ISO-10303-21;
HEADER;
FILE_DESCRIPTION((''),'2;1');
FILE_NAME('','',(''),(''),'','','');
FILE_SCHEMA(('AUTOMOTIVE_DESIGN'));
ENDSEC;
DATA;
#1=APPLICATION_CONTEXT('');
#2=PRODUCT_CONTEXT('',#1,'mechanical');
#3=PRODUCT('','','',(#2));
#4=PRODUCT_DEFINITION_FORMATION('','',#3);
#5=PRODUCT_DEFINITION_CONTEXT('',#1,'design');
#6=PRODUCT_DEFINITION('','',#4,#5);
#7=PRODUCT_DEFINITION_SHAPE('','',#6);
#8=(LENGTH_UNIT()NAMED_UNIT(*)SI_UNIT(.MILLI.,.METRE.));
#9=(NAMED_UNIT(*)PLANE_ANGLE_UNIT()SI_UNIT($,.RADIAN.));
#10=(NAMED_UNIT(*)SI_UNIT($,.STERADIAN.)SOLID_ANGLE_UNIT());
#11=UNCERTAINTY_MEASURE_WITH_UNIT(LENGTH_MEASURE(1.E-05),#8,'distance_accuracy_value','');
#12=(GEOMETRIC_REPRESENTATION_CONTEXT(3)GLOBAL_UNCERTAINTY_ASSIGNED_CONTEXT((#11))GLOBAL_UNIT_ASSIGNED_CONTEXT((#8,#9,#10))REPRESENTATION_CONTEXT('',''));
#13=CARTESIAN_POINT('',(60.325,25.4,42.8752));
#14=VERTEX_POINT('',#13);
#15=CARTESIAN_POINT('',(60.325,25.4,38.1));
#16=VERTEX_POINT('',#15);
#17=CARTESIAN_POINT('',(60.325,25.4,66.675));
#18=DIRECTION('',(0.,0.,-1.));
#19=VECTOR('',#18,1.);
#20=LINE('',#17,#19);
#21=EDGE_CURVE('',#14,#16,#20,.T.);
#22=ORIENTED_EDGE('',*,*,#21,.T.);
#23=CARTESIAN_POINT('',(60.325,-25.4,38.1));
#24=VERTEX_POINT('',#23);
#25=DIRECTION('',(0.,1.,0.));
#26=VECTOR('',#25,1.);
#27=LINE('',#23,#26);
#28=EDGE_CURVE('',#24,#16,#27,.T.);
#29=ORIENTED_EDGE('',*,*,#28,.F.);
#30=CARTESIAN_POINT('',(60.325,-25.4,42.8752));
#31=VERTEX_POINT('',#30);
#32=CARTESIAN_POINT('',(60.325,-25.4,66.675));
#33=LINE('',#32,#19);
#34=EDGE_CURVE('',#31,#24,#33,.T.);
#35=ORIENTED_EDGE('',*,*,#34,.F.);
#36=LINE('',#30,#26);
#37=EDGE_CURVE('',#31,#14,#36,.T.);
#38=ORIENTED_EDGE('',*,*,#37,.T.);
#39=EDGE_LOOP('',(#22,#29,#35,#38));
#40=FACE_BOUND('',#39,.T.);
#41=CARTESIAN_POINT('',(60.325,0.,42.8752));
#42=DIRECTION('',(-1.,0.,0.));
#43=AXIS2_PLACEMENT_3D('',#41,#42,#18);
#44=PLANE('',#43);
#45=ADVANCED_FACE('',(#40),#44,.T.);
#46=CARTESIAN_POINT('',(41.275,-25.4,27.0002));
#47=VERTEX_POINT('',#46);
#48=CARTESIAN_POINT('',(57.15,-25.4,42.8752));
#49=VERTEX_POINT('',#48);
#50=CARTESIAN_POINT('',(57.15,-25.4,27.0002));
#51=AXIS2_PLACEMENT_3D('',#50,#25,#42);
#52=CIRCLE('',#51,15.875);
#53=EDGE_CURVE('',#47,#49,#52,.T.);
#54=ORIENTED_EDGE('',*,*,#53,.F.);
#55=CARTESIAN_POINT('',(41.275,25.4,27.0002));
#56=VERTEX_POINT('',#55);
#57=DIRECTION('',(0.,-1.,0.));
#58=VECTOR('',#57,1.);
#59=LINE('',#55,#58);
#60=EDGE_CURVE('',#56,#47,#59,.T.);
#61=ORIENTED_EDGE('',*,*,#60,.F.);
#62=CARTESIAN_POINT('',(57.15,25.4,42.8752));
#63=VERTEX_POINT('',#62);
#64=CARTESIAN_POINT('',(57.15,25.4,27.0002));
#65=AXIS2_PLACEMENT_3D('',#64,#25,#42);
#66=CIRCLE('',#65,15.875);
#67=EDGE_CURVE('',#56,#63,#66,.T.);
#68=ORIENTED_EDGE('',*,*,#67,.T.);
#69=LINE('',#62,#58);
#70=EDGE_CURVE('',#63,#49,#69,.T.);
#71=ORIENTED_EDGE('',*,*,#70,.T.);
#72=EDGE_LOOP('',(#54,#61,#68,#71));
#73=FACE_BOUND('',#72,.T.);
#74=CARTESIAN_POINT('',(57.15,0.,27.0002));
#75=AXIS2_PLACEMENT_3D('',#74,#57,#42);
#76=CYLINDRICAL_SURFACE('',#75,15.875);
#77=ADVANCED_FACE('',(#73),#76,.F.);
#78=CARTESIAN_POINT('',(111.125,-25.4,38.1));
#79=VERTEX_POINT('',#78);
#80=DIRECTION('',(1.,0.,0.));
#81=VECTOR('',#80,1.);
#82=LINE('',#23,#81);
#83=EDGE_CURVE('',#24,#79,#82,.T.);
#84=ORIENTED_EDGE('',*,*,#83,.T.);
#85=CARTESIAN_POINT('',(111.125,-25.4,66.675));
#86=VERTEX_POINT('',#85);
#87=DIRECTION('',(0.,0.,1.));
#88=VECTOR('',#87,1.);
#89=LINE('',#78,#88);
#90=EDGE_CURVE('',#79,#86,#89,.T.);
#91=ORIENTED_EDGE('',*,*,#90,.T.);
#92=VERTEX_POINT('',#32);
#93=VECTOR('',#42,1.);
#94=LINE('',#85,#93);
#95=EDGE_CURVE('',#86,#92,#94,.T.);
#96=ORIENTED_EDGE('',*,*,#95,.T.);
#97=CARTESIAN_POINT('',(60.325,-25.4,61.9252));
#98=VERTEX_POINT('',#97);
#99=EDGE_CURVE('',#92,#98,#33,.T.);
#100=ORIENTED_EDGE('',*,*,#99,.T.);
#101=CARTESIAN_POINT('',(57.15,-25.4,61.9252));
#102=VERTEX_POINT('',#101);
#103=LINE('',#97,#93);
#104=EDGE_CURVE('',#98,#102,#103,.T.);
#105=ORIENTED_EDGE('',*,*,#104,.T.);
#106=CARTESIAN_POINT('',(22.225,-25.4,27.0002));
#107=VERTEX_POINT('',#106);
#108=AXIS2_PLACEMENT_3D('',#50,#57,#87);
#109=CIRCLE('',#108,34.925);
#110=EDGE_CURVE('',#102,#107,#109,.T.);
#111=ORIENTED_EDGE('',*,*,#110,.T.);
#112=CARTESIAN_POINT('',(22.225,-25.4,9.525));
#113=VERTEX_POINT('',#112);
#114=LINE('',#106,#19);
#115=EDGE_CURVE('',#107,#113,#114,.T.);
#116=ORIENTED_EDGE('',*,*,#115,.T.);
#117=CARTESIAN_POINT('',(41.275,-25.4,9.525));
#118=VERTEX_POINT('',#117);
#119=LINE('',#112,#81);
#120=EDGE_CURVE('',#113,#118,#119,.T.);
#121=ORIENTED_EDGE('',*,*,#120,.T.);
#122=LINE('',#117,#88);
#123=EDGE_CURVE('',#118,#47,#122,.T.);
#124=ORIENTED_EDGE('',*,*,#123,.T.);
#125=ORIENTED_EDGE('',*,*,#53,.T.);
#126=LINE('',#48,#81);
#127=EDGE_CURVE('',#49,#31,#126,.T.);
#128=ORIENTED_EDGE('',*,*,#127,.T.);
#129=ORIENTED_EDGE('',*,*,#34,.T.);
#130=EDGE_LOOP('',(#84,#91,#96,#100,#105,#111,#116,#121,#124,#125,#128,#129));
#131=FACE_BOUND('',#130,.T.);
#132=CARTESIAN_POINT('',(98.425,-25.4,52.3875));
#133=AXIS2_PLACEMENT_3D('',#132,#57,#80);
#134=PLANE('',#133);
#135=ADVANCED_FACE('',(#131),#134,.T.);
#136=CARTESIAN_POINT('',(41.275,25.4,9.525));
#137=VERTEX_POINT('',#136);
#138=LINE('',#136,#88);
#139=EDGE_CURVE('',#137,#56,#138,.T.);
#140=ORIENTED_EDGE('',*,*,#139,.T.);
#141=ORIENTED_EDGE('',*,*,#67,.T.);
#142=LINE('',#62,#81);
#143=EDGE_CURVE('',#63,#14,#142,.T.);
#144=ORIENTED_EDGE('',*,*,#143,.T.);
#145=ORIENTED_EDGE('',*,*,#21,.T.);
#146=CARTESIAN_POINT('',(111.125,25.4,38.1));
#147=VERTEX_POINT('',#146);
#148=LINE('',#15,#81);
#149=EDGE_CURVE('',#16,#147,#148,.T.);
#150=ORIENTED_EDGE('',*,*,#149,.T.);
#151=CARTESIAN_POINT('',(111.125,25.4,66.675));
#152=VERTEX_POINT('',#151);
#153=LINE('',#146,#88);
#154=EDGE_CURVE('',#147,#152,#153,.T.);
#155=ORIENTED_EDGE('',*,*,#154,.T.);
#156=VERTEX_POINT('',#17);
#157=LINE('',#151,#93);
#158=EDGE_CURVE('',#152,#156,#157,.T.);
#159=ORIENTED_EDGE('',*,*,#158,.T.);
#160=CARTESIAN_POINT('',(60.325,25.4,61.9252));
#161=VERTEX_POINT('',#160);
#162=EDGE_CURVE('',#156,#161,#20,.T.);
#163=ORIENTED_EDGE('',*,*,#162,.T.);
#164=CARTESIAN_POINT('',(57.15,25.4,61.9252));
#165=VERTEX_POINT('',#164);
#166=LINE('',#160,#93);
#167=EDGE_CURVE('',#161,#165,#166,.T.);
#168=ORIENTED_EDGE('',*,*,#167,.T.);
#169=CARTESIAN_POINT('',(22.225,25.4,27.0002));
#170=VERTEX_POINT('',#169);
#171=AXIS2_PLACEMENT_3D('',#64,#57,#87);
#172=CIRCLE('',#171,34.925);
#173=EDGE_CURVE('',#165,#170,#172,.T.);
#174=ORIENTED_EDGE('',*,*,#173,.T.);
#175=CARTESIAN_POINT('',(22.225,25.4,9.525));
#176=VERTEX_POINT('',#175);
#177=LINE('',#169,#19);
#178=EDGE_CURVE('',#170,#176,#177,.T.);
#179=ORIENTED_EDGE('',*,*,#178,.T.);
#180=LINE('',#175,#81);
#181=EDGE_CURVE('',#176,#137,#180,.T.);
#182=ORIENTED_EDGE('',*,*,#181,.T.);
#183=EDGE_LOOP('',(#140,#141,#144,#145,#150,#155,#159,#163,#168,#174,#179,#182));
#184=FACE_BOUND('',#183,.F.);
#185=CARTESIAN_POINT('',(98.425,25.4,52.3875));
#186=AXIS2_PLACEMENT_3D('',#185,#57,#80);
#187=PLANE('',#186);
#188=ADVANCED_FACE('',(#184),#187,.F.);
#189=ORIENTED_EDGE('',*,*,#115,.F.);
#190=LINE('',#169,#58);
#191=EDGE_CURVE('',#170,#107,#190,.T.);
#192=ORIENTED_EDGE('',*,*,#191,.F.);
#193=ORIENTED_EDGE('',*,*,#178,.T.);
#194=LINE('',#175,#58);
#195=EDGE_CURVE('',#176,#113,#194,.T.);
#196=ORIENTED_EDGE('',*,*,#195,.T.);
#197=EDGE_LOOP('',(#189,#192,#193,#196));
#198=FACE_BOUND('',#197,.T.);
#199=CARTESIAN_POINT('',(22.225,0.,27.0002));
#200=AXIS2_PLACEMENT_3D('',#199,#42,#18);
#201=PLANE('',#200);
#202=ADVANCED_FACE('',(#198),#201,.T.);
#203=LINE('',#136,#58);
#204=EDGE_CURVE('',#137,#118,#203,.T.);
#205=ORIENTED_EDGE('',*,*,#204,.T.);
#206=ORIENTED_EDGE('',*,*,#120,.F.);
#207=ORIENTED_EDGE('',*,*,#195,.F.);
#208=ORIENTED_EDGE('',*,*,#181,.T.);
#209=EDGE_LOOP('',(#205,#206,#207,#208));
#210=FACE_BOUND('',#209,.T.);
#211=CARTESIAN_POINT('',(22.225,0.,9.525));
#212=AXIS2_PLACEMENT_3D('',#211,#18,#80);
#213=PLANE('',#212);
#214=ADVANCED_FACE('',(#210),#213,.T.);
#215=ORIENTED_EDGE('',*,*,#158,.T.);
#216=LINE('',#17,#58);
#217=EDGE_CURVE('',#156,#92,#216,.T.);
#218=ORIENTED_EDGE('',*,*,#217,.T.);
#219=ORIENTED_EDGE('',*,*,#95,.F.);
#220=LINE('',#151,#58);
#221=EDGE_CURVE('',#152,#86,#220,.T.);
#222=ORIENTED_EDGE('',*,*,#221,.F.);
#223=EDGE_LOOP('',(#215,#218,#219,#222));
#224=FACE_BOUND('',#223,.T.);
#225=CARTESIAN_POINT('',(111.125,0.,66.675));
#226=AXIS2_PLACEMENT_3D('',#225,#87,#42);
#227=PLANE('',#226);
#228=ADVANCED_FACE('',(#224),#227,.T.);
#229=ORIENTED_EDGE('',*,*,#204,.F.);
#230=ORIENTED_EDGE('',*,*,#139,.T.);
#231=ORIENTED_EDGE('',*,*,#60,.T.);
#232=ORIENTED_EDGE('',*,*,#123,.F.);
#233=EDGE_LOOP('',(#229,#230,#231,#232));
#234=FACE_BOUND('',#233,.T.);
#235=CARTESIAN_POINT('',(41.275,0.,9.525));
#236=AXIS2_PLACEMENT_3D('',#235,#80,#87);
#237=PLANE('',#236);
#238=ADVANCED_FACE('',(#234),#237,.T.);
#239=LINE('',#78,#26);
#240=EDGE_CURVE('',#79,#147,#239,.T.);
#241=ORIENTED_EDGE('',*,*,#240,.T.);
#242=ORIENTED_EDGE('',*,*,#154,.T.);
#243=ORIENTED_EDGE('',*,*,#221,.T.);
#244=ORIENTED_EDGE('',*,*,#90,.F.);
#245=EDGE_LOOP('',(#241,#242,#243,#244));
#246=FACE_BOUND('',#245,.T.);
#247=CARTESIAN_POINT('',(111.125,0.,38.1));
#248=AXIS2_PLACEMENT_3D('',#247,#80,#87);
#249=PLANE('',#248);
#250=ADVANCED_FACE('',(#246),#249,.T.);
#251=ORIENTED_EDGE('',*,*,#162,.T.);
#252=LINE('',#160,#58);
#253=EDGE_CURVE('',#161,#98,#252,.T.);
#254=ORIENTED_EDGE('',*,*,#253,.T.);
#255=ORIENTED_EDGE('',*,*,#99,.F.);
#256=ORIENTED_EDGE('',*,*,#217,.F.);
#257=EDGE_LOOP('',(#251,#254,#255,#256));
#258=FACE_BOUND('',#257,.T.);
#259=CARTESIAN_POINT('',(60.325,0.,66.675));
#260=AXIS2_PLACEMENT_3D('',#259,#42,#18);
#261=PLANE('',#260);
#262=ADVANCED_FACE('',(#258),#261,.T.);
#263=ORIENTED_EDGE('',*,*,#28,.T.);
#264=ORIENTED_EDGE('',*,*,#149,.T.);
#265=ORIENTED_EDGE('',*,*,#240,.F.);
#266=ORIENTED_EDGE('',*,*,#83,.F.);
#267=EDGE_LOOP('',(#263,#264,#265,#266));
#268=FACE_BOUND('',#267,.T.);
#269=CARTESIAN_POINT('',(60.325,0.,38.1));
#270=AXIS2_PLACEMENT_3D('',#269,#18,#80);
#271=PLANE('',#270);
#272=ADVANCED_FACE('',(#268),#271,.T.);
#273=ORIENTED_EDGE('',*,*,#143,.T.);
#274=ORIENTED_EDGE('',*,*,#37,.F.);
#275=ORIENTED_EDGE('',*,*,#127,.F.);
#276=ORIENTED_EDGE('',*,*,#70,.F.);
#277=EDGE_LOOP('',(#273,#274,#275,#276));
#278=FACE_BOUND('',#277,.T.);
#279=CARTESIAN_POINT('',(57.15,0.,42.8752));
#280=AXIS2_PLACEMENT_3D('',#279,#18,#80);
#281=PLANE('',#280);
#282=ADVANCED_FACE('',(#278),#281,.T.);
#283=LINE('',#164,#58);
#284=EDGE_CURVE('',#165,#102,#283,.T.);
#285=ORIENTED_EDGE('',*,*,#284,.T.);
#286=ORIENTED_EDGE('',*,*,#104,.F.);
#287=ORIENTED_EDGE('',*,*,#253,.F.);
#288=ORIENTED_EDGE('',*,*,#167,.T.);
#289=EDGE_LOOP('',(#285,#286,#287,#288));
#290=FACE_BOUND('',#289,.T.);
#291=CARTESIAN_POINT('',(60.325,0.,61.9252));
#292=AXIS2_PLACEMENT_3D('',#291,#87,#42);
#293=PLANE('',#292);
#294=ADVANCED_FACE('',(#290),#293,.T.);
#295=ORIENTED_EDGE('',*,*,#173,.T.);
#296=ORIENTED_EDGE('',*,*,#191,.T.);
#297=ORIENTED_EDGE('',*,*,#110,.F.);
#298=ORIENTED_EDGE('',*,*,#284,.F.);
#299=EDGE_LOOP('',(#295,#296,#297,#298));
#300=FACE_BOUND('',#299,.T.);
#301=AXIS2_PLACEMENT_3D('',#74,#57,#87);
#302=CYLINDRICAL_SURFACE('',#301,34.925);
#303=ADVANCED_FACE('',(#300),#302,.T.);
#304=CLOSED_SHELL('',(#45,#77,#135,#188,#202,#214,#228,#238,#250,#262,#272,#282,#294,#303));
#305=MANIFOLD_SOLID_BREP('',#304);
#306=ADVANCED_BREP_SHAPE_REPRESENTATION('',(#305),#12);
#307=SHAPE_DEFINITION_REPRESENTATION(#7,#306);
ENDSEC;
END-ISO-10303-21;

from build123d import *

# Parameters (mm, degrees)
F0_W     = 25.4
F0_H     = 19.05
F0_H_2   = 4.7498
F0_H_3   = 4.7752
F1_DEPTH = 25.4


with BuildPart() as f1:
    # F0 (on Front) → F1 (new body, symmetric)
    with BuildSketch(Plane.XZ):
        Polygon((85.725, 66.675), (85.725, 61.9252), (85.725, 42.8752), (85.725, 38.1), (111.125, 38.1), (111.125, 66.675), align=None)
        with Locations((73.025, 52.4002)):
            Rectangle(F0_W, F0_H)
        with Locations((73.025, 64.3001)):
            Rectangle(F0_W, F0_H_2)
        with Locations((73.025, 40.4876)):
            Rectangle(F0_W, F0_H_3)
        with BuildLine():
            Line((22.225, 27.0002), (22.225, 9.525))
            Line((22.225, 9.525), (41.275, 9.525))
            Line((41.275, 9.525), (41.275, 27.0002))
            ThreePointArc((41.275, 27.0002), (45.9246798487, 38.2255201513), (57.15, 42.8752))
            Line((57.15, 42.8752), (60.325, 42.8752))
            Line((60.325, 42.8752), (60.325, 61.9252))
            Line((60.325, 61.9252), (57.15, 61.9252))
            ThreePointArc((57.15, 61.9252), (32.4542956671, 51.6959043329), (22.225, 27.0002))
        make_face()
    extrude(amount=F1_DEPTH, both=True)


solid = f1.part
